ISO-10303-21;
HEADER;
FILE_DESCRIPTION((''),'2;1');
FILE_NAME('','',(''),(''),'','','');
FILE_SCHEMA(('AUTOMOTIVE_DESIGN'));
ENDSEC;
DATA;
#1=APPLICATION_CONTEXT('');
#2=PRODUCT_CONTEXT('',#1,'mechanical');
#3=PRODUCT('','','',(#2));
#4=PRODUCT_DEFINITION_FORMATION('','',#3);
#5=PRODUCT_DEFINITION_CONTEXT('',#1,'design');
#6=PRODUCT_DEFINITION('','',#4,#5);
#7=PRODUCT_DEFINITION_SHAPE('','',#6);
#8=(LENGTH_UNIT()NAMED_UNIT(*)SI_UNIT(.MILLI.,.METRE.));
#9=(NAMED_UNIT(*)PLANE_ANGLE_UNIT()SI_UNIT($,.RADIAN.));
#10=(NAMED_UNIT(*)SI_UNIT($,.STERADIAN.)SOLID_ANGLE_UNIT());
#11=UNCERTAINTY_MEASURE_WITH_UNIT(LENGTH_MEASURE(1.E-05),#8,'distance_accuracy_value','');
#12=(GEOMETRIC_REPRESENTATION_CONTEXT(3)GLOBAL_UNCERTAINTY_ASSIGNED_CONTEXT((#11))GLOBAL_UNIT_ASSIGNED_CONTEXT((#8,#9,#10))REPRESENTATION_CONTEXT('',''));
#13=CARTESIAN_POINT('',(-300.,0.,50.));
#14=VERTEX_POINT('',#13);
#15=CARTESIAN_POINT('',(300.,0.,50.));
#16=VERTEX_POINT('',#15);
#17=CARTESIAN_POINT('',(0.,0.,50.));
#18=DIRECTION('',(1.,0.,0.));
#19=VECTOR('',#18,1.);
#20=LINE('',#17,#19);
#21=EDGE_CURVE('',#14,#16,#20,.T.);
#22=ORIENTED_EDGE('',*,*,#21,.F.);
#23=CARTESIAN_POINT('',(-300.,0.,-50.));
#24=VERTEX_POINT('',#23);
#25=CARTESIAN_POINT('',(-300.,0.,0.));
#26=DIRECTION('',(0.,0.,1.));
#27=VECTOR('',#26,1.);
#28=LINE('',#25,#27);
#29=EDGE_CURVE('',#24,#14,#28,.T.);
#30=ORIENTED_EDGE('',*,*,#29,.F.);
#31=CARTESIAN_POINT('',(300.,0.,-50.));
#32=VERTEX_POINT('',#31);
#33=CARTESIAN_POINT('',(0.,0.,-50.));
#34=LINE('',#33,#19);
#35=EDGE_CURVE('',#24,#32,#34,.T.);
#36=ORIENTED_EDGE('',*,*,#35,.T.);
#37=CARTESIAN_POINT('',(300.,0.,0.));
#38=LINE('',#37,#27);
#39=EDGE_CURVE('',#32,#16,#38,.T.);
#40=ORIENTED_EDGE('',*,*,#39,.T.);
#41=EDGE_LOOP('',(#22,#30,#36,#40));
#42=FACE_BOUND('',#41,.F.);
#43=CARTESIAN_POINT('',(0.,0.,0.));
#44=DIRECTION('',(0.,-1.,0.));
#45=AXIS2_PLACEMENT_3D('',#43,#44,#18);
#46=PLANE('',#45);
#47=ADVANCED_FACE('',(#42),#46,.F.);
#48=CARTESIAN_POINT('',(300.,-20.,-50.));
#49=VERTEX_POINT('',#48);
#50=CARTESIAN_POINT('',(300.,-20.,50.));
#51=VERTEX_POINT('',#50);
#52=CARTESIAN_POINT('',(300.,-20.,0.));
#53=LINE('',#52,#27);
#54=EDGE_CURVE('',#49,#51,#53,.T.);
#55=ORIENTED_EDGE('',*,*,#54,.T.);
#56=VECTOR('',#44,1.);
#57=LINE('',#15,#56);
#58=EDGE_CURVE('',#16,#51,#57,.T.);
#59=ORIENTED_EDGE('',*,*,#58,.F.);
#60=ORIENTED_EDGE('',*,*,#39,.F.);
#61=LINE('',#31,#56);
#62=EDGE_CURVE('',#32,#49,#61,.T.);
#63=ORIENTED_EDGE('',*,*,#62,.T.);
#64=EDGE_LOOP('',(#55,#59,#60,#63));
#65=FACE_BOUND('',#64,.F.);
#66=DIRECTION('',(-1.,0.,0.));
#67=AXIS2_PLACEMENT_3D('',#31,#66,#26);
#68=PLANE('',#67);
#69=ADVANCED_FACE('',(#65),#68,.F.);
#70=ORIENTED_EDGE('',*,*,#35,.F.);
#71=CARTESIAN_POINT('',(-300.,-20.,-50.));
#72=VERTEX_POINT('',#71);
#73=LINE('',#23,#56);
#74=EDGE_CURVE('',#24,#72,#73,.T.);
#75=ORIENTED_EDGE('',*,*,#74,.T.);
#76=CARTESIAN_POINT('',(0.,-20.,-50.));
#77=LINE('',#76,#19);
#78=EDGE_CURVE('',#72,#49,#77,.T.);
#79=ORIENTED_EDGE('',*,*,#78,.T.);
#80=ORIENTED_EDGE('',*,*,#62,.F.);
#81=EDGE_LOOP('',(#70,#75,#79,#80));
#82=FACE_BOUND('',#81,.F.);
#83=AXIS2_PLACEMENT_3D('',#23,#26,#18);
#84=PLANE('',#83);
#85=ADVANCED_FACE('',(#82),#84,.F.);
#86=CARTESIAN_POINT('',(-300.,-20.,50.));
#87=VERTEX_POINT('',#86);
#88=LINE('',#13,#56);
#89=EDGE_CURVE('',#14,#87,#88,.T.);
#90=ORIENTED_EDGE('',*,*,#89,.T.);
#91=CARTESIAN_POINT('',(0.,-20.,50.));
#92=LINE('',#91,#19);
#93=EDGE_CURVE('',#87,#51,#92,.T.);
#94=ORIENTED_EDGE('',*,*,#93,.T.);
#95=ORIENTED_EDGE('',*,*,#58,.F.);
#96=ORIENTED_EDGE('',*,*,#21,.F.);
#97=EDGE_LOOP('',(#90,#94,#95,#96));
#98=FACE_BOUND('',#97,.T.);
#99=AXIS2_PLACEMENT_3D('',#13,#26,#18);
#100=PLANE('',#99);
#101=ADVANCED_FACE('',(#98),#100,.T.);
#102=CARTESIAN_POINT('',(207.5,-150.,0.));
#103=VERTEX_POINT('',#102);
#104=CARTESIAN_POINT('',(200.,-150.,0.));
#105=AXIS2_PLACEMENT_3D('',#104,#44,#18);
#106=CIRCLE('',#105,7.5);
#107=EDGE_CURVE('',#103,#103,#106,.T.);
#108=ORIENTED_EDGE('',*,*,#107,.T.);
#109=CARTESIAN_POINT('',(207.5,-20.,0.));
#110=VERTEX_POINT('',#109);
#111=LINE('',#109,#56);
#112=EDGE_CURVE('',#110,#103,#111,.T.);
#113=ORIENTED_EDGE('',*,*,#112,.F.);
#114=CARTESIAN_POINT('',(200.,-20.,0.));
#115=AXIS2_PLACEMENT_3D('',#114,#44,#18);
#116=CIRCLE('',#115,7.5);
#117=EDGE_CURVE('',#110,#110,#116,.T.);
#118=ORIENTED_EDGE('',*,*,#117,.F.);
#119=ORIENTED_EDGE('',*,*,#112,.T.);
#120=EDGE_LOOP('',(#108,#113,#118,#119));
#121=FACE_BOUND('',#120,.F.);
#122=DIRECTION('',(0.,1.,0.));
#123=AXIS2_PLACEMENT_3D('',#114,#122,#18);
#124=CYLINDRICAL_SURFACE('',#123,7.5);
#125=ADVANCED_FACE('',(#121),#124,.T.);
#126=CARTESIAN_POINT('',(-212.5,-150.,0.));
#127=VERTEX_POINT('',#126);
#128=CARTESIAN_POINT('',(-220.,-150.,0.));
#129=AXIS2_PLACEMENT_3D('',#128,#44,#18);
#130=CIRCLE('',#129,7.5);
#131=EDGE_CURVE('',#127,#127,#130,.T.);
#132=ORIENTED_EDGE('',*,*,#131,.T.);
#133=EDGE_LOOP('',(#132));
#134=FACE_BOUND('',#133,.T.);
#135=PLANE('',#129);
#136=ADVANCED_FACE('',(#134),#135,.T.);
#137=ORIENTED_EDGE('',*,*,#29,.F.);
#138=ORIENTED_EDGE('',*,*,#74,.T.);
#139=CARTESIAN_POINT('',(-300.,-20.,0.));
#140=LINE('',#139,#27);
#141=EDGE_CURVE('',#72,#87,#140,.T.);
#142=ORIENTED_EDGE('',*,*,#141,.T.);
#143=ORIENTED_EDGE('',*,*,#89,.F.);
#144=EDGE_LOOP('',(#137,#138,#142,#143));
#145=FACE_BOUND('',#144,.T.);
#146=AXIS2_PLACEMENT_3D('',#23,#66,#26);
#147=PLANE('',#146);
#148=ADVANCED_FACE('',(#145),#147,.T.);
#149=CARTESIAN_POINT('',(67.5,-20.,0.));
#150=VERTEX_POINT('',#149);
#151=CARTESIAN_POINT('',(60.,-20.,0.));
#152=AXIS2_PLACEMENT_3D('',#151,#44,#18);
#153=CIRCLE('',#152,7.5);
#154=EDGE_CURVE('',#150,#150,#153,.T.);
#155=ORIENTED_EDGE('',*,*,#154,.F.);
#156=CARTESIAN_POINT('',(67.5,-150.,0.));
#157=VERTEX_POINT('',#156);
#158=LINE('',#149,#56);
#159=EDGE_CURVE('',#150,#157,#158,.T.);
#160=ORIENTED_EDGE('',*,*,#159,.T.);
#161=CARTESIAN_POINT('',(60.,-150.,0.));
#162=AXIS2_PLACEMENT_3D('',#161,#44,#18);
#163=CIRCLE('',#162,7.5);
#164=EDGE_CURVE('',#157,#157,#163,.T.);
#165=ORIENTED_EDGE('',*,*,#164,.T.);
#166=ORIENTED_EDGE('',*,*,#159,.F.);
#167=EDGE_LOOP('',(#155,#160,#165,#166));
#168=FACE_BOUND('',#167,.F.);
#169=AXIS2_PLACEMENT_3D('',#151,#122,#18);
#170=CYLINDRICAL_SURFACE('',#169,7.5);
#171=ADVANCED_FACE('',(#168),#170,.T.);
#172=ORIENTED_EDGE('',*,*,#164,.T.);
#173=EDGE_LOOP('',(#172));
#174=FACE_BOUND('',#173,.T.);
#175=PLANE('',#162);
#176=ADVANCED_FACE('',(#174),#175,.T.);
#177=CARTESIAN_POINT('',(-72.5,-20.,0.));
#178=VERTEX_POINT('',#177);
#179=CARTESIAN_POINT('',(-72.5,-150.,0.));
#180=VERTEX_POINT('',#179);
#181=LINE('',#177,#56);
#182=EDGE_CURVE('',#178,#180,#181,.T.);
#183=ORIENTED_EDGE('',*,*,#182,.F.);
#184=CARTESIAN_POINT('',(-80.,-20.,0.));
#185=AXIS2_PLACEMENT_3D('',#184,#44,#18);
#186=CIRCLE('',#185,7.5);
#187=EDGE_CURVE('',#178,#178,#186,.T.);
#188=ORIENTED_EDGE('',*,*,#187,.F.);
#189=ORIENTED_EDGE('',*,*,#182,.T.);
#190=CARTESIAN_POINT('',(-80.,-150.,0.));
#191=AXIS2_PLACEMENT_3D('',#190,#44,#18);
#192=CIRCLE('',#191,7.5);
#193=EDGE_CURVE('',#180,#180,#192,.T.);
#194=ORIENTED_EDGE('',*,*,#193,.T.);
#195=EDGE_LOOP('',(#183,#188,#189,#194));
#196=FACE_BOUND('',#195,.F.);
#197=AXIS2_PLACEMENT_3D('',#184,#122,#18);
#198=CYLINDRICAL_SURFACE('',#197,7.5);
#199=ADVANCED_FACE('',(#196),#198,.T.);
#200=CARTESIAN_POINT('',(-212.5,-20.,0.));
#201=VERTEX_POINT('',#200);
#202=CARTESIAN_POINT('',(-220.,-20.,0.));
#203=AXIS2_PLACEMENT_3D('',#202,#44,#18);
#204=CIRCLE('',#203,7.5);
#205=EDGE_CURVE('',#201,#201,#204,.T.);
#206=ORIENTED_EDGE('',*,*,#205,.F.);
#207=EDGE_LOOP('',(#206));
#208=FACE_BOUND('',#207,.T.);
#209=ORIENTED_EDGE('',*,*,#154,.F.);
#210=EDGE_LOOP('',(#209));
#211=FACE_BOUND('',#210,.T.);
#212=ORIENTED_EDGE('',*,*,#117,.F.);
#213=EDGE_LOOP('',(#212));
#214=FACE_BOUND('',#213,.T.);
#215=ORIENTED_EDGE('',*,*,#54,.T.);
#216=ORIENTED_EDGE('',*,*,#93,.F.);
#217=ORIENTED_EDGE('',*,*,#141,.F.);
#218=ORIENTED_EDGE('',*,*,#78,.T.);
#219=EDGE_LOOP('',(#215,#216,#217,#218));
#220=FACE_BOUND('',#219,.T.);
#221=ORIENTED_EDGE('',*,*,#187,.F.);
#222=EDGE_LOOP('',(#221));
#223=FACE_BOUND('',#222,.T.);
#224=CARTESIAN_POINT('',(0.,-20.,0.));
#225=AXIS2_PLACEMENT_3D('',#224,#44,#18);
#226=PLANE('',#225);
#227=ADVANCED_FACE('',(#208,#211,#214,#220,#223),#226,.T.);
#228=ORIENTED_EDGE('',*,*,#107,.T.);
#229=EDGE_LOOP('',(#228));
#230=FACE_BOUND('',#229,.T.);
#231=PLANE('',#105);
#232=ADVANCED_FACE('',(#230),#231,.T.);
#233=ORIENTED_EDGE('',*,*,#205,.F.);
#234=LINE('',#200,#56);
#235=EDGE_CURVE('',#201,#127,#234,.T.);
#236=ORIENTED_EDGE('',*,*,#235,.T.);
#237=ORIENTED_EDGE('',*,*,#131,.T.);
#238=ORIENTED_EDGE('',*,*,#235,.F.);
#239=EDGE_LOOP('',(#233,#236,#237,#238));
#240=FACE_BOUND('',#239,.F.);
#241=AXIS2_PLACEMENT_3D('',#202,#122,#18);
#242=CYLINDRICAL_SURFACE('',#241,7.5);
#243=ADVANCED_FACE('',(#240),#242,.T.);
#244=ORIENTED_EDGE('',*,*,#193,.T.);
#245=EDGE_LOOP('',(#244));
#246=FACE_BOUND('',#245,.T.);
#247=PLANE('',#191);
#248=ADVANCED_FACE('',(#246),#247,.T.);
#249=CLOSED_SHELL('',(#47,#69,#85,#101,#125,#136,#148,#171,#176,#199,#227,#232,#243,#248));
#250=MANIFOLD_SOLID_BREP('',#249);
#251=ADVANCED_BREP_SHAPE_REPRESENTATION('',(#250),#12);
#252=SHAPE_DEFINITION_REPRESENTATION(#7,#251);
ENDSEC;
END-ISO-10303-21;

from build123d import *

# Parameters (mm, degrees)
F0_W     = 600
F0_H     = 100
F1_DEPTH = 20
F2_R     = 7.5
F3_DEPTH = 130


with BuildPart() as f1:
    # F0 (on Front) → F1 (new body)
    with BuildSketch(Plane.XZ):
        Rectangle(F0_W, F0_H)
    extrude(amount=F1_DEPTH)

    # F2 (on face) → F3 (join)
    with BuildSketch(Plane.XZ.offset(20)):
        with Locations((-220, 0)):
            Circle(F2_R)
        with Locations((-80, 0)):
            Circle(F2_R)
        with Locations((60, 0)):
            Circle(F2_R)
        with Locations((200, 0)):
            Circle(F2_R)
    extrude(amount=F3_DEPTH)


solid = f1.part
